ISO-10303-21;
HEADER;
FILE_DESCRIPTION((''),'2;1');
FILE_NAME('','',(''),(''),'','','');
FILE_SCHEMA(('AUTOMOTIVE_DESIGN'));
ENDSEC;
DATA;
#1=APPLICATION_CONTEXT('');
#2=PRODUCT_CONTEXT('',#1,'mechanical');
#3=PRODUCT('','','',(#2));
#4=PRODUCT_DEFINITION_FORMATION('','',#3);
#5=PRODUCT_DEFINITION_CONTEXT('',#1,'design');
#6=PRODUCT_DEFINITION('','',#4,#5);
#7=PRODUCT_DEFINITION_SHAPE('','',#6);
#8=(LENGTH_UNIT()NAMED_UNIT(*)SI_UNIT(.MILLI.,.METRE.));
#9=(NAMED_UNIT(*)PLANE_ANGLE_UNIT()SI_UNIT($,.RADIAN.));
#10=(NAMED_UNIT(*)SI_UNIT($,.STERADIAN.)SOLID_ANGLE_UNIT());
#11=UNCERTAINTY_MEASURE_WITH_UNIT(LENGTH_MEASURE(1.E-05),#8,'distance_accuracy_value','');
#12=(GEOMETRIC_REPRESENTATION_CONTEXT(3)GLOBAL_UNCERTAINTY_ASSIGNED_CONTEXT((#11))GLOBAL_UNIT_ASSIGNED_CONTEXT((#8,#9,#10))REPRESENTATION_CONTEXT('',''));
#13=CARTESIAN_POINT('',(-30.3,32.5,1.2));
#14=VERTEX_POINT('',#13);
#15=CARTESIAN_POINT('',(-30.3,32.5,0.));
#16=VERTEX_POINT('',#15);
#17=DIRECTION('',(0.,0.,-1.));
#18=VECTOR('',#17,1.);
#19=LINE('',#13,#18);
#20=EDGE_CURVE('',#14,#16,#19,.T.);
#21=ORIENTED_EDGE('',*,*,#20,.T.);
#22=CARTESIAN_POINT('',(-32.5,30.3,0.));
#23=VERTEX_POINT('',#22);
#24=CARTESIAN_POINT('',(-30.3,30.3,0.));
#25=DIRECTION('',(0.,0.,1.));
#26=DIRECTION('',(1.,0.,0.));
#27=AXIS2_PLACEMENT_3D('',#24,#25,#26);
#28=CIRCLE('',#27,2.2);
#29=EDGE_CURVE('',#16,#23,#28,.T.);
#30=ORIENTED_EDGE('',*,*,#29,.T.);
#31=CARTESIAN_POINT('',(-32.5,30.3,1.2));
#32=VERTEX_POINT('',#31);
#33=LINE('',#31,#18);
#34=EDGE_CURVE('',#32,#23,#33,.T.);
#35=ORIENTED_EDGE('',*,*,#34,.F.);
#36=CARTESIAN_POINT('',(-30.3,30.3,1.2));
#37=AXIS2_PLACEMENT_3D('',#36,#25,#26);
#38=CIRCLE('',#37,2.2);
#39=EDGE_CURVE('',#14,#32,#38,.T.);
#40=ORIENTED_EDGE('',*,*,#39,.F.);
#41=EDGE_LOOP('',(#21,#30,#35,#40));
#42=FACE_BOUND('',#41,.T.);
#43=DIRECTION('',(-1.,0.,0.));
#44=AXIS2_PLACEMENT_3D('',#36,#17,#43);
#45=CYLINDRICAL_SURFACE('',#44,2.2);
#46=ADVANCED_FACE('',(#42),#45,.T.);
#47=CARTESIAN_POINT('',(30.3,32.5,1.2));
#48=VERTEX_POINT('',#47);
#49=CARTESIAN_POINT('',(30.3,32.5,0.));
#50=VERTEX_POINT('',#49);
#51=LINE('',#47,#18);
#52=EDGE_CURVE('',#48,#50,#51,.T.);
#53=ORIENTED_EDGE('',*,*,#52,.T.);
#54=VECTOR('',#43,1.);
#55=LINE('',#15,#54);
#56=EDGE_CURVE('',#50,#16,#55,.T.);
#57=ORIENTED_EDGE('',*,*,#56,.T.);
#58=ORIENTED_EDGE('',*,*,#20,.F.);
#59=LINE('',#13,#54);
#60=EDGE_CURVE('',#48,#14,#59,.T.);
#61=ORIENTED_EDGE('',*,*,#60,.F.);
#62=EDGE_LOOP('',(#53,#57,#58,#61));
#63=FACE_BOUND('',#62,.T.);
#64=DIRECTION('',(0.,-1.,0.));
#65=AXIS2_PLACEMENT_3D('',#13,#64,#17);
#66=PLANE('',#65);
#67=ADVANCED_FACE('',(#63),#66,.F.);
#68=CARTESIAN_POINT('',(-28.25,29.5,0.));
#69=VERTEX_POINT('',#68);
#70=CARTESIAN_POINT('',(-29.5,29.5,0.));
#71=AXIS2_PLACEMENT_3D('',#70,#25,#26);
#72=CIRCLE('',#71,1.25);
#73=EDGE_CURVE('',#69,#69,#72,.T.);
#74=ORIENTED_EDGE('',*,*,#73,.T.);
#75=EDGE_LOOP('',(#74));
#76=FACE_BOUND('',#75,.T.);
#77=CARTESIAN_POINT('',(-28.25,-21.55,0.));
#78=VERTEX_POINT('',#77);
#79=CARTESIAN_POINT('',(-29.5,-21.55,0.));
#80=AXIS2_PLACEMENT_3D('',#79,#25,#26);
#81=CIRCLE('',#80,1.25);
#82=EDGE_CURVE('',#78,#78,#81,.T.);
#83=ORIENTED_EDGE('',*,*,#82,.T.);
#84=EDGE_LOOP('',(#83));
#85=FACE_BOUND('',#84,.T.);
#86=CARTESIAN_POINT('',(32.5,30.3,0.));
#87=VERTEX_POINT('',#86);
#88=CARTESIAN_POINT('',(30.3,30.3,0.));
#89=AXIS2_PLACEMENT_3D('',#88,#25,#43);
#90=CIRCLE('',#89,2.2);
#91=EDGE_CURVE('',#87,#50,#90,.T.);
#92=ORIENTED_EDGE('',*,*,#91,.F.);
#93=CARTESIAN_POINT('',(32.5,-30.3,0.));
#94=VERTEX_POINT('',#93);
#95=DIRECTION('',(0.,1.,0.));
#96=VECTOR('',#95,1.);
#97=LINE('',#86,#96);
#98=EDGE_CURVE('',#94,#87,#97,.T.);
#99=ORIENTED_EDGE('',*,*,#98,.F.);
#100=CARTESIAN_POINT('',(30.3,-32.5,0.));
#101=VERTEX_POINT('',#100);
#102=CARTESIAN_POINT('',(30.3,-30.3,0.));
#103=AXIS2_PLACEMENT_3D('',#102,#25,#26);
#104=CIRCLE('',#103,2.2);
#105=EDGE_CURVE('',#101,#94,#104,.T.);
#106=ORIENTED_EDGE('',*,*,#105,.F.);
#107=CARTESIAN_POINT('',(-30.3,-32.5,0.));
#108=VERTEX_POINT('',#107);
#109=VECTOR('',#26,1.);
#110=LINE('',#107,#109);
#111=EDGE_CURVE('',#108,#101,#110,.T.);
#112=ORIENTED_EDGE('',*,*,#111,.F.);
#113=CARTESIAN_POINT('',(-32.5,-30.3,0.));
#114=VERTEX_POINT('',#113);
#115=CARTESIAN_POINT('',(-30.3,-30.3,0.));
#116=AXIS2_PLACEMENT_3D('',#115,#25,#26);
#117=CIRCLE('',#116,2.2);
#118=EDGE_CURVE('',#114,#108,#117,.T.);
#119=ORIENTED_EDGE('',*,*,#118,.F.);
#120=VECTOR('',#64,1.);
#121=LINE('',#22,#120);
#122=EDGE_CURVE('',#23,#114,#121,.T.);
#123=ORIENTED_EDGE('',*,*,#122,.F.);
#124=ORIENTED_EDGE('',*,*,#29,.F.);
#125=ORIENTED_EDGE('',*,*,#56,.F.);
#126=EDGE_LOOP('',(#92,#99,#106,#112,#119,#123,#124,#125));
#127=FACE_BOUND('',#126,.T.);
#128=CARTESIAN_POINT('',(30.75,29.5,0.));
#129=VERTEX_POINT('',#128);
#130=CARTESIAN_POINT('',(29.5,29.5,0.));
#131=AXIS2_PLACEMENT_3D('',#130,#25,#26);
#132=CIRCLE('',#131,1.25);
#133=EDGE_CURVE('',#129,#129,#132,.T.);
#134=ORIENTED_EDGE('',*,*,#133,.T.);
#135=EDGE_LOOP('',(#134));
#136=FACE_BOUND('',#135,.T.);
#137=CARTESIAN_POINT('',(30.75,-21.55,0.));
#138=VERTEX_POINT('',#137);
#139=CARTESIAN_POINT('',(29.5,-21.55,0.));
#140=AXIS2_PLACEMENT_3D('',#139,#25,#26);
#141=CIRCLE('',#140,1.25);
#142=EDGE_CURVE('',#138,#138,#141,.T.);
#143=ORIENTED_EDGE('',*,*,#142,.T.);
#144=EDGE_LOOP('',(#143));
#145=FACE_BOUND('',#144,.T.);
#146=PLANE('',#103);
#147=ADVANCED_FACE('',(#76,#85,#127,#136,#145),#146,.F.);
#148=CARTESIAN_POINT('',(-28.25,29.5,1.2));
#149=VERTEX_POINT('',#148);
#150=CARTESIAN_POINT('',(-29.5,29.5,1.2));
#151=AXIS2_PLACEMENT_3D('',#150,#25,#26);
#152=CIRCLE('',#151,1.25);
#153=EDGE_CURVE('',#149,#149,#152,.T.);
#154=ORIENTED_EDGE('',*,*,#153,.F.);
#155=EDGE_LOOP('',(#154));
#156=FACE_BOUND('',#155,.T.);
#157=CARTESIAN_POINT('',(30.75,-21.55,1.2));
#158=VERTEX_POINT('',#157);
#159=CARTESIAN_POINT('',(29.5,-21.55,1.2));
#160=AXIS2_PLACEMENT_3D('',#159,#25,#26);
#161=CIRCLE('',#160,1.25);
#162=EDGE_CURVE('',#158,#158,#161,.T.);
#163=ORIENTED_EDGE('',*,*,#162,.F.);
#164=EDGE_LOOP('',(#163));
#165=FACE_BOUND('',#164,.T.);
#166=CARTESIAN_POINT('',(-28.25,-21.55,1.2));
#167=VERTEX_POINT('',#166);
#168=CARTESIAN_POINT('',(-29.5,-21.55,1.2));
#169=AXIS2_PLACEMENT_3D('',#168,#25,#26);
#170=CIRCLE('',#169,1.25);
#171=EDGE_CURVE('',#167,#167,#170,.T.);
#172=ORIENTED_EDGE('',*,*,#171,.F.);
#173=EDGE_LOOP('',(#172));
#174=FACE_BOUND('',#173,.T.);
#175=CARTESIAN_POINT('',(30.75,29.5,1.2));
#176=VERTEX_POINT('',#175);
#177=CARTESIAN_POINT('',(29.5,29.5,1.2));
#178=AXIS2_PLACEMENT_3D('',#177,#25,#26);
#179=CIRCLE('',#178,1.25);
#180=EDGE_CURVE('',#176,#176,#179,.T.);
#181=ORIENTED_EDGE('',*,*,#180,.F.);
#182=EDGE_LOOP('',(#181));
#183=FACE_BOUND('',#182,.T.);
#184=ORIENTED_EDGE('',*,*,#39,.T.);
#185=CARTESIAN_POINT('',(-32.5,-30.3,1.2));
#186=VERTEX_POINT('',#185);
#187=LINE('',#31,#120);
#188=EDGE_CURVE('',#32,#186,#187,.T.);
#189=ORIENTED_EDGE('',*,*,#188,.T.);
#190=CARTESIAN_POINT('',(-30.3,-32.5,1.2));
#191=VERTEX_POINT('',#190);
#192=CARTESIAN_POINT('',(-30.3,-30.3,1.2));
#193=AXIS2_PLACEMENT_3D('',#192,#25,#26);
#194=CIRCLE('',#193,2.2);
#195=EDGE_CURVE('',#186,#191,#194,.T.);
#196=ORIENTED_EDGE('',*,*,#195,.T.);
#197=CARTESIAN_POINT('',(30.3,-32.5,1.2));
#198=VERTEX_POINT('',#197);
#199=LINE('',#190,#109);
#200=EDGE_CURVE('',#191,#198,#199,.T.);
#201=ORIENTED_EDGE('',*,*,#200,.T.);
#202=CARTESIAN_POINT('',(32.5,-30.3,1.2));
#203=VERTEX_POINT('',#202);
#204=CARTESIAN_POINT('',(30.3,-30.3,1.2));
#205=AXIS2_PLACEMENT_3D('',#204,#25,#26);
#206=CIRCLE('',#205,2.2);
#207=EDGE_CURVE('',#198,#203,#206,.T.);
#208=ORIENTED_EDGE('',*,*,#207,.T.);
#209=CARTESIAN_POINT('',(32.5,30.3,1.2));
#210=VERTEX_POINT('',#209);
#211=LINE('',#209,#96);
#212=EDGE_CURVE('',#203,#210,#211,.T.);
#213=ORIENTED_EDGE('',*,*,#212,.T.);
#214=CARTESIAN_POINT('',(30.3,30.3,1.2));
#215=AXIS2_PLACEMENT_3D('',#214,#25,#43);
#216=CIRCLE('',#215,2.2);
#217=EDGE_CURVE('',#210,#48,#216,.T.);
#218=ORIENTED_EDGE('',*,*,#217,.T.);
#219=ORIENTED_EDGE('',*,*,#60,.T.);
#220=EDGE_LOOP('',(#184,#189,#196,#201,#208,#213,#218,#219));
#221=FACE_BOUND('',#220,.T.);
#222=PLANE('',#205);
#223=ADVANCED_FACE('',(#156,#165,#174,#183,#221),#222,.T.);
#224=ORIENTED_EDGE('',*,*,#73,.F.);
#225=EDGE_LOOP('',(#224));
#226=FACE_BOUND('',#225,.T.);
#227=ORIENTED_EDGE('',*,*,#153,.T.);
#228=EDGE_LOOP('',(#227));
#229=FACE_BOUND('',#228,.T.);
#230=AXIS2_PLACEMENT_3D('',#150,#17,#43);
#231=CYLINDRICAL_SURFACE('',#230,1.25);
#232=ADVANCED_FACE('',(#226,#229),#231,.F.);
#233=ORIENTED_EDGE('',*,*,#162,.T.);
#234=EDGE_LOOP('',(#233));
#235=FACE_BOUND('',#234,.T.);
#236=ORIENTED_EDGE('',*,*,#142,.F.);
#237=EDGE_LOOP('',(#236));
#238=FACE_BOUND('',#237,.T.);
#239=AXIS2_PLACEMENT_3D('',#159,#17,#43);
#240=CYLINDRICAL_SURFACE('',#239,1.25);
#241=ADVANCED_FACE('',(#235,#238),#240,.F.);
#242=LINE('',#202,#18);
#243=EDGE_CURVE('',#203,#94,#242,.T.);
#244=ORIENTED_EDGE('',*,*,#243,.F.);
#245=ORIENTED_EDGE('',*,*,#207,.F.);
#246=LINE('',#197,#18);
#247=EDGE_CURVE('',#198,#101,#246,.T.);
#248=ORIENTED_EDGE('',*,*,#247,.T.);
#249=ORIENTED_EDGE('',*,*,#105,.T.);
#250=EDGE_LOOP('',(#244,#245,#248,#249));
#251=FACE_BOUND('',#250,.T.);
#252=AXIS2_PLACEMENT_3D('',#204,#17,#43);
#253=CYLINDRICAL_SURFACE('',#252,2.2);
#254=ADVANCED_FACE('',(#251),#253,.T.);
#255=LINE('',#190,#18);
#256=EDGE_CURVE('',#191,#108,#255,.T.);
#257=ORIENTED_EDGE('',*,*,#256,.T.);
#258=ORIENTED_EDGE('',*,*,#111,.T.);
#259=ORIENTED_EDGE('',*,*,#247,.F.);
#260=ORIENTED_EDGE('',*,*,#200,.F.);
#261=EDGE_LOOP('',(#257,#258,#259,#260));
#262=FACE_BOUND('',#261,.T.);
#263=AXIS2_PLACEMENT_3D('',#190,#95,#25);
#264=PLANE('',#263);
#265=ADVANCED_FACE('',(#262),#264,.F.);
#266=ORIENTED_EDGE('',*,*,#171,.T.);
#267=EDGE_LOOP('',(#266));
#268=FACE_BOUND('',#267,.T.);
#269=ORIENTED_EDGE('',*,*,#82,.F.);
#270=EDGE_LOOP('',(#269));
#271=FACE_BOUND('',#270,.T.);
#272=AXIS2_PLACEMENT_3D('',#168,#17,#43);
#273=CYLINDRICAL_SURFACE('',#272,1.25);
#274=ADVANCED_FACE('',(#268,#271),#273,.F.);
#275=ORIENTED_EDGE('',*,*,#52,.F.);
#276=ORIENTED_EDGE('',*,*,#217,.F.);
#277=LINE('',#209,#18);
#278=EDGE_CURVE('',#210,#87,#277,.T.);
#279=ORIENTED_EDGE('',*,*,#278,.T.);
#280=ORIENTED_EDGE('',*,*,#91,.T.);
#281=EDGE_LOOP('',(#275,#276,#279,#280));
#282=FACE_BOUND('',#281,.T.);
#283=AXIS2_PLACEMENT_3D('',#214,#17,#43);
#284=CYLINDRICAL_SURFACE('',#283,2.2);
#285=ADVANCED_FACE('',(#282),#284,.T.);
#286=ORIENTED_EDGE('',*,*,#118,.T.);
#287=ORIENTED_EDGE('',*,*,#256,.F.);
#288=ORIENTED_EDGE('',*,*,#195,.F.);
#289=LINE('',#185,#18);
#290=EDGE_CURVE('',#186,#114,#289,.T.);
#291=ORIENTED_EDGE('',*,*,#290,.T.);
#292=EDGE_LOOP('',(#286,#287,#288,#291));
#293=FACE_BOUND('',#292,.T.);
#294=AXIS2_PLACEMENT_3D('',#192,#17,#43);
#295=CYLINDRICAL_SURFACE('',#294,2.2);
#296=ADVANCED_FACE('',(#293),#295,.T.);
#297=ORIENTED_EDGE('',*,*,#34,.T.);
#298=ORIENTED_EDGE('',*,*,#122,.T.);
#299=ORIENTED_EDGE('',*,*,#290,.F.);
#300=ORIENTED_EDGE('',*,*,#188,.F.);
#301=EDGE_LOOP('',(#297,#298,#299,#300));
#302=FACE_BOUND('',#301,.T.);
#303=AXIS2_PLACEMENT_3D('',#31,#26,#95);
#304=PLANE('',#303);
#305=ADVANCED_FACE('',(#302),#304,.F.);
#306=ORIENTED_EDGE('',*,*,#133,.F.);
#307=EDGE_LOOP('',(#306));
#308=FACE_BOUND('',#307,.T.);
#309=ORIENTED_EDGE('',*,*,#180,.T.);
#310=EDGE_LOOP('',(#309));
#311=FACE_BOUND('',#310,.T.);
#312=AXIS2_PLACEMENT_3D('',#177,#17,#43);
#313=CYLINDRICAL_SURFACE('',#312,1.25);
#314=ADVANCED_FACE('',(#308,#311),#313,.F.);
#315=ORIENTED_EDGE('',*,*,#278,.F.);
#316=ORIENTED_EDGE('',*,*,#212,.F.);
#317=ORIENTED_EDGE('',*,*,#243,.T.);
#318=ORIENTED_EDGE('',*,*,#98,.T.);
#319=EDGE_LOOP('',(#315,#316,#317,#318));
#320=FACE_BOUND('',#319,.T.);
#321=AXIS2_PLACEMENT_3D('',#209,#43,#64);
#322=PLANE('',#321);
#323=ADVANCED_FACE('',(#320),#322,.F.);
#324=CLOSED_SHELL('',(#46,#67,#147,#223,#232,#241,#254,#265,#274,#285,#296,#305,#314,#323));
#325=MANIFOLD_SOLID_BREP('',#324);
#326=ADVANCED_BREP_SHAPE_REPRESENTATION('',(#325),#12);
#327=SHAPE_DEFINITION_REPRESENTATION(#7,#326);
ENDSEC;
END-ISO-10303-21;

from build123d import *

# Parameters (mm, degrees)
SKETCH3_R           = 1.25
BOSS_EXTRUDE1_DEPTH = 1.2


with BuildPart() as part:
    # Sketch3 → Boss-Extrude1 (new body)
    with BuildSketch(Plane.XY):
        with BuildLine():
            Line((-30.3, 32.5), (30.3, 32.5))
            ThreePointArc((30.3, 32.5), (31.855634919, 31.855634919), (32.5, 30.3))
            Line((32.5, 30.3), (32.5, -30.3))
            ThreePointArc((32.5, -30.3), (31.855634919, -31.855634919), (30.3, -32.5))
            Line((30.3, -32.5), (-30.3, -32.5))
            ThreePointArc((-30.3, -32.5), (-31.855634919, -31.855634919), (-32.5, -30.3))
            Line((-32.5, -30.3), (-32.5, 30.3))
            ThreePointArc((-32.5, 30.3), (-31.855634919, 31.855634919), (-30.3, 32.5))
        make_face()
        with Locations((-29.5, 29.5)):
            Circle(SKETCH3_R, mode=Mode.SUBTRACT)
        with Locations((-29.5, -21.55)):
            Circle(SKETCH3_R, mode=Mode.SUBTRACT)
        with Locations((29.5, -21.55)):
            Circle(SKETCH3_R, mode=Mode.SUBTRACT)
        with Locations((29.5, 29.5)):
            Circle(SKETCH3_R, mode=Mode.SUBTRACT)
    extrude(amount=BOSS_EXTRUDE1_DEPTH)


solid = part.part
